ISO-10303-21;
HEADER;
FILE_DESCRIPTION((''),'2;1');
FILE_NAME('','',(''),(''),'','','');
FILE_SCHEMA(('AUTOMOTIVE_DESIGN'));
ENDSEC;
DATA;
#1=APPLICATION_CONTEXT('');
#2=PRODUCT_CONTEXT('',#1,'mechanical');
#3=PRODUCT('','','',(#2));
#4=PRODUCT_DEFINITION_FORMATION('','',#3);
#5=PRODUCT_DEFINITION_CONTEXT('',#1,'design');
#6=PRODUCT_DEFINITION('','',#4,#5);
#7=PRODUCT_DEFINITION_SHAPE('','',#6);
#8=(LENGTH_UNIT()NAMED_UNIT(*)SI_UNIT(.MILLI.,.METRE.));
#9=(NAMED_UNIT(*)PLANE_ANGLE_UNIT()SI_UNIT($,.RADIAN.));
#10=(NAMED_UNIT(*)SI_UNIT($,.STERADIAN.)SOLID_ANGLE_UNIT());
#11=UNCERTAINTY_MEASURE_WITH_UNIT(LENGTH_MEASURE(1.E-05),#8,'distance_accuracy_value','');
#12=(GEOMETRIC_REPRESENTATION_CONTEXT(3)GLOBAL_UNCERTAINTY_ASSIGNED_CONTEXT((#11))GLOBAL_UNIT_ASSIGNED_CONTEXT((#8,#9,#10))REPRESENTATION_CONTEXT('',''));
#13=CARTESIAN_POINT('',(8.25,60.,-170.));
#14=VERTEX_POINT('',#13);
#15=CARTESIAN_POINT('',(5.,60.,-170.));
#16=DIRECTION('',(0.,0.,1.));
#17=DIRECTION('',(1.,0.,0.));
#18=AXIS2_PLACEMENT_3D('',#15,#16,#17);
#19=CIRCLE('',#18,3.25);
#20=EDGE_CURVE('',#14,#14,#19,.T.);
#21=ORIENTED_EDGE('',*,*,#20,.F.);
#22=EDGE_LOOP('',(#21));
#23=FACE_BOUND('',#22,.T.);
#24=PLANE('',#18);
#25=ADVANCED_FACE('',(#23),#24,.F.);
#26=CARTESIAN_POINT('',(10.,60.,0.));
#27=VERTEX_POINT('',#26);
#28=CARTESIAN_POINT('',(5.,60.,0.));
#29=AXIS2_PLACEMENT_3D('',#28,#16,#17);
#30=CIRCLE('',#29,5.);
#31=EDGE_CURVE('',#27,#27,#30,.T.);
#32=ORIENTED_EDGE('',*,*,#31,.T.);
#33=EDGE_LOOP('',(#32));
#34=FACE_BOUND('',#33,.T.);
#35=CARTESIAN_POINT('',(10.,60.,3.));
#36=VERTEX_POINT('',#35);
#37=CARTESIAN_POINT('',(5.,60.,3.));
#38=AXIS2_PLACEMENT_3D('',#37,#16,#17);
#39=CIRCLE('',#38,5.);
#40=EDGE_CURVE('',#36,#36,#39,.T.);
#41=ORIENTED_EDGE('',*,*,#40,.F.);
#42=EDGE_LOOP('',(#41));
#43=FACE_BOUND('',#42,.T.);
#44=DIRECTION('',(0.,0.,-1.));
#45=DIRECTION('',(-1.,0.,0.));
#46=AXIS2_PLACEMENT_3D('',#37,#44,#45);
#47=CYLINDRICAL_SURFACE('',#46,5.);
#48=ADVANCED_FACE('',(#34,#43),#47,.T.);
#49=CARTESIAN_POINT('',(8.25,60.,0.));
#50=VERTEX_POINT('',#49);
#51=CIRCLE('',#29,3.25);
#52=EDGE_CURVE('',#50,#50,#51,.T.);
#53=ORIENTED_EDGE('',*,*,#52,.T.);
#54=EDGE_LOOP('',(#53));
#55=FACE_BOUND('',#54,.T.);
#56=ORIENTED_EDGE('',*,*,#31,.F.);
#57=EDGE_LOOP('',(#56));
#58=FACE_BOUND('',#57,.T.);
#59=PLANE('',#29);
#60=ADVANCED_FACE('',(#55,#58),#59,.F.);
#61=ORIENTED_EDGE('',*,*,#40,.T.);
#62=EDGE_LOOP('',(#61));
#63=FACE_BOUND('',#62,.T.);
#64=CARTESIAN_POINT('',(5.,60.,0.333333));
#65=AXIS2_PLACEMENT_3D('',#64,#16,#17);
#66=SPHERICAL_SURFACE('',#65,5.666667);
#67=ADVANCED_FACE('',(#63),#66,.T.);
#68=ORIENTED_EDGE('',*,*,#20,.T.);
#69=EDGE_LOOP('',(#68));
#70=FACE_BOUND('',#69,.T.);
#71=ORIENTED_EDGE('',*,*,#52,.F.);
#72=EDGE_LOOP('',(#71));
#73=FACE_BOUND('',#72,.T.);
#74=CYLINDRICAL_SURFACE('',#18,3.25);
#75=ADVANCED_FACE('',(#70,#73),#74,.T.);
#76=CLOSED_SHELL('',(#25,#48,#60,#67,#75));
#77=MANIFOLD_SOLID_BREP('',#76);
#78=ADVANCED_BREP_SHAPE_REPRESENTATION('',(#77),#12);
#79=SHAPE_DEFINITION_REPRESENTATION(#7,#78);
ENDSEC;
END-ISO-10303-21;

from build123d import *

# Parameters (mm, degrees)
SKETCH1_R           = 3.25
SKETCH4_R           = 5
BOSS_EXTRUDE1_DEPTH = 3
DOME1_FACE_RADIUS   = 5
DOME1_HEIGHT        = 3


with BuildPart() as part:
    # Sweep1: sweep along a path in Sketch2
    with BuildLine(Plane(origin=(0, 0, 0), x_dir=(0, 0, -1), z_dir=(1, 0, 0))) as sweep1_path:
        Line((0, 0), (170, 0))
    # Sketch1 → Sweep1 (sweep)
    with BuildSketch(Plane.XY):
        with Locations((5, 60)):
            Circle(SKETCH1_R)
    sweep(path=sweep1_path.line)

    # Sketch4 → Boss-Extrude1 (add)
    with BuildSketch(Plane.XY):
        with Locations((5, 60)):
            Circle(SKETCH4_R)
    extrude(amount=BOSS_EXTRUDE1_DEPTH)

    # Dome1: a dome of height H over a round flat face of radius A is a cap of a sphere of radius (A * A + H * H) / (2 * H)
    dome1_r = (DOME1_FACE_RADIUS * DOME1_FACE_RADIUS + DOME1_HEIGHT * DOME1_HEIGHT) / (2 * DOME1_HEIGHT)
    dome1_base = Plane((5, 60, 3), z_dir=(0, 0, 1))
    with Locations(dome1_base.offset(DOME1_HEIGHT - dome1_r)):
        dome1_ball = Sphere(dome1_r, mode=Mode.PRIVATE)
    add(split(dome1_ball, bisect_by=dome1_base, keep=Keep.TOP, mode=Mode.PRIVATE))


solid = part.part
